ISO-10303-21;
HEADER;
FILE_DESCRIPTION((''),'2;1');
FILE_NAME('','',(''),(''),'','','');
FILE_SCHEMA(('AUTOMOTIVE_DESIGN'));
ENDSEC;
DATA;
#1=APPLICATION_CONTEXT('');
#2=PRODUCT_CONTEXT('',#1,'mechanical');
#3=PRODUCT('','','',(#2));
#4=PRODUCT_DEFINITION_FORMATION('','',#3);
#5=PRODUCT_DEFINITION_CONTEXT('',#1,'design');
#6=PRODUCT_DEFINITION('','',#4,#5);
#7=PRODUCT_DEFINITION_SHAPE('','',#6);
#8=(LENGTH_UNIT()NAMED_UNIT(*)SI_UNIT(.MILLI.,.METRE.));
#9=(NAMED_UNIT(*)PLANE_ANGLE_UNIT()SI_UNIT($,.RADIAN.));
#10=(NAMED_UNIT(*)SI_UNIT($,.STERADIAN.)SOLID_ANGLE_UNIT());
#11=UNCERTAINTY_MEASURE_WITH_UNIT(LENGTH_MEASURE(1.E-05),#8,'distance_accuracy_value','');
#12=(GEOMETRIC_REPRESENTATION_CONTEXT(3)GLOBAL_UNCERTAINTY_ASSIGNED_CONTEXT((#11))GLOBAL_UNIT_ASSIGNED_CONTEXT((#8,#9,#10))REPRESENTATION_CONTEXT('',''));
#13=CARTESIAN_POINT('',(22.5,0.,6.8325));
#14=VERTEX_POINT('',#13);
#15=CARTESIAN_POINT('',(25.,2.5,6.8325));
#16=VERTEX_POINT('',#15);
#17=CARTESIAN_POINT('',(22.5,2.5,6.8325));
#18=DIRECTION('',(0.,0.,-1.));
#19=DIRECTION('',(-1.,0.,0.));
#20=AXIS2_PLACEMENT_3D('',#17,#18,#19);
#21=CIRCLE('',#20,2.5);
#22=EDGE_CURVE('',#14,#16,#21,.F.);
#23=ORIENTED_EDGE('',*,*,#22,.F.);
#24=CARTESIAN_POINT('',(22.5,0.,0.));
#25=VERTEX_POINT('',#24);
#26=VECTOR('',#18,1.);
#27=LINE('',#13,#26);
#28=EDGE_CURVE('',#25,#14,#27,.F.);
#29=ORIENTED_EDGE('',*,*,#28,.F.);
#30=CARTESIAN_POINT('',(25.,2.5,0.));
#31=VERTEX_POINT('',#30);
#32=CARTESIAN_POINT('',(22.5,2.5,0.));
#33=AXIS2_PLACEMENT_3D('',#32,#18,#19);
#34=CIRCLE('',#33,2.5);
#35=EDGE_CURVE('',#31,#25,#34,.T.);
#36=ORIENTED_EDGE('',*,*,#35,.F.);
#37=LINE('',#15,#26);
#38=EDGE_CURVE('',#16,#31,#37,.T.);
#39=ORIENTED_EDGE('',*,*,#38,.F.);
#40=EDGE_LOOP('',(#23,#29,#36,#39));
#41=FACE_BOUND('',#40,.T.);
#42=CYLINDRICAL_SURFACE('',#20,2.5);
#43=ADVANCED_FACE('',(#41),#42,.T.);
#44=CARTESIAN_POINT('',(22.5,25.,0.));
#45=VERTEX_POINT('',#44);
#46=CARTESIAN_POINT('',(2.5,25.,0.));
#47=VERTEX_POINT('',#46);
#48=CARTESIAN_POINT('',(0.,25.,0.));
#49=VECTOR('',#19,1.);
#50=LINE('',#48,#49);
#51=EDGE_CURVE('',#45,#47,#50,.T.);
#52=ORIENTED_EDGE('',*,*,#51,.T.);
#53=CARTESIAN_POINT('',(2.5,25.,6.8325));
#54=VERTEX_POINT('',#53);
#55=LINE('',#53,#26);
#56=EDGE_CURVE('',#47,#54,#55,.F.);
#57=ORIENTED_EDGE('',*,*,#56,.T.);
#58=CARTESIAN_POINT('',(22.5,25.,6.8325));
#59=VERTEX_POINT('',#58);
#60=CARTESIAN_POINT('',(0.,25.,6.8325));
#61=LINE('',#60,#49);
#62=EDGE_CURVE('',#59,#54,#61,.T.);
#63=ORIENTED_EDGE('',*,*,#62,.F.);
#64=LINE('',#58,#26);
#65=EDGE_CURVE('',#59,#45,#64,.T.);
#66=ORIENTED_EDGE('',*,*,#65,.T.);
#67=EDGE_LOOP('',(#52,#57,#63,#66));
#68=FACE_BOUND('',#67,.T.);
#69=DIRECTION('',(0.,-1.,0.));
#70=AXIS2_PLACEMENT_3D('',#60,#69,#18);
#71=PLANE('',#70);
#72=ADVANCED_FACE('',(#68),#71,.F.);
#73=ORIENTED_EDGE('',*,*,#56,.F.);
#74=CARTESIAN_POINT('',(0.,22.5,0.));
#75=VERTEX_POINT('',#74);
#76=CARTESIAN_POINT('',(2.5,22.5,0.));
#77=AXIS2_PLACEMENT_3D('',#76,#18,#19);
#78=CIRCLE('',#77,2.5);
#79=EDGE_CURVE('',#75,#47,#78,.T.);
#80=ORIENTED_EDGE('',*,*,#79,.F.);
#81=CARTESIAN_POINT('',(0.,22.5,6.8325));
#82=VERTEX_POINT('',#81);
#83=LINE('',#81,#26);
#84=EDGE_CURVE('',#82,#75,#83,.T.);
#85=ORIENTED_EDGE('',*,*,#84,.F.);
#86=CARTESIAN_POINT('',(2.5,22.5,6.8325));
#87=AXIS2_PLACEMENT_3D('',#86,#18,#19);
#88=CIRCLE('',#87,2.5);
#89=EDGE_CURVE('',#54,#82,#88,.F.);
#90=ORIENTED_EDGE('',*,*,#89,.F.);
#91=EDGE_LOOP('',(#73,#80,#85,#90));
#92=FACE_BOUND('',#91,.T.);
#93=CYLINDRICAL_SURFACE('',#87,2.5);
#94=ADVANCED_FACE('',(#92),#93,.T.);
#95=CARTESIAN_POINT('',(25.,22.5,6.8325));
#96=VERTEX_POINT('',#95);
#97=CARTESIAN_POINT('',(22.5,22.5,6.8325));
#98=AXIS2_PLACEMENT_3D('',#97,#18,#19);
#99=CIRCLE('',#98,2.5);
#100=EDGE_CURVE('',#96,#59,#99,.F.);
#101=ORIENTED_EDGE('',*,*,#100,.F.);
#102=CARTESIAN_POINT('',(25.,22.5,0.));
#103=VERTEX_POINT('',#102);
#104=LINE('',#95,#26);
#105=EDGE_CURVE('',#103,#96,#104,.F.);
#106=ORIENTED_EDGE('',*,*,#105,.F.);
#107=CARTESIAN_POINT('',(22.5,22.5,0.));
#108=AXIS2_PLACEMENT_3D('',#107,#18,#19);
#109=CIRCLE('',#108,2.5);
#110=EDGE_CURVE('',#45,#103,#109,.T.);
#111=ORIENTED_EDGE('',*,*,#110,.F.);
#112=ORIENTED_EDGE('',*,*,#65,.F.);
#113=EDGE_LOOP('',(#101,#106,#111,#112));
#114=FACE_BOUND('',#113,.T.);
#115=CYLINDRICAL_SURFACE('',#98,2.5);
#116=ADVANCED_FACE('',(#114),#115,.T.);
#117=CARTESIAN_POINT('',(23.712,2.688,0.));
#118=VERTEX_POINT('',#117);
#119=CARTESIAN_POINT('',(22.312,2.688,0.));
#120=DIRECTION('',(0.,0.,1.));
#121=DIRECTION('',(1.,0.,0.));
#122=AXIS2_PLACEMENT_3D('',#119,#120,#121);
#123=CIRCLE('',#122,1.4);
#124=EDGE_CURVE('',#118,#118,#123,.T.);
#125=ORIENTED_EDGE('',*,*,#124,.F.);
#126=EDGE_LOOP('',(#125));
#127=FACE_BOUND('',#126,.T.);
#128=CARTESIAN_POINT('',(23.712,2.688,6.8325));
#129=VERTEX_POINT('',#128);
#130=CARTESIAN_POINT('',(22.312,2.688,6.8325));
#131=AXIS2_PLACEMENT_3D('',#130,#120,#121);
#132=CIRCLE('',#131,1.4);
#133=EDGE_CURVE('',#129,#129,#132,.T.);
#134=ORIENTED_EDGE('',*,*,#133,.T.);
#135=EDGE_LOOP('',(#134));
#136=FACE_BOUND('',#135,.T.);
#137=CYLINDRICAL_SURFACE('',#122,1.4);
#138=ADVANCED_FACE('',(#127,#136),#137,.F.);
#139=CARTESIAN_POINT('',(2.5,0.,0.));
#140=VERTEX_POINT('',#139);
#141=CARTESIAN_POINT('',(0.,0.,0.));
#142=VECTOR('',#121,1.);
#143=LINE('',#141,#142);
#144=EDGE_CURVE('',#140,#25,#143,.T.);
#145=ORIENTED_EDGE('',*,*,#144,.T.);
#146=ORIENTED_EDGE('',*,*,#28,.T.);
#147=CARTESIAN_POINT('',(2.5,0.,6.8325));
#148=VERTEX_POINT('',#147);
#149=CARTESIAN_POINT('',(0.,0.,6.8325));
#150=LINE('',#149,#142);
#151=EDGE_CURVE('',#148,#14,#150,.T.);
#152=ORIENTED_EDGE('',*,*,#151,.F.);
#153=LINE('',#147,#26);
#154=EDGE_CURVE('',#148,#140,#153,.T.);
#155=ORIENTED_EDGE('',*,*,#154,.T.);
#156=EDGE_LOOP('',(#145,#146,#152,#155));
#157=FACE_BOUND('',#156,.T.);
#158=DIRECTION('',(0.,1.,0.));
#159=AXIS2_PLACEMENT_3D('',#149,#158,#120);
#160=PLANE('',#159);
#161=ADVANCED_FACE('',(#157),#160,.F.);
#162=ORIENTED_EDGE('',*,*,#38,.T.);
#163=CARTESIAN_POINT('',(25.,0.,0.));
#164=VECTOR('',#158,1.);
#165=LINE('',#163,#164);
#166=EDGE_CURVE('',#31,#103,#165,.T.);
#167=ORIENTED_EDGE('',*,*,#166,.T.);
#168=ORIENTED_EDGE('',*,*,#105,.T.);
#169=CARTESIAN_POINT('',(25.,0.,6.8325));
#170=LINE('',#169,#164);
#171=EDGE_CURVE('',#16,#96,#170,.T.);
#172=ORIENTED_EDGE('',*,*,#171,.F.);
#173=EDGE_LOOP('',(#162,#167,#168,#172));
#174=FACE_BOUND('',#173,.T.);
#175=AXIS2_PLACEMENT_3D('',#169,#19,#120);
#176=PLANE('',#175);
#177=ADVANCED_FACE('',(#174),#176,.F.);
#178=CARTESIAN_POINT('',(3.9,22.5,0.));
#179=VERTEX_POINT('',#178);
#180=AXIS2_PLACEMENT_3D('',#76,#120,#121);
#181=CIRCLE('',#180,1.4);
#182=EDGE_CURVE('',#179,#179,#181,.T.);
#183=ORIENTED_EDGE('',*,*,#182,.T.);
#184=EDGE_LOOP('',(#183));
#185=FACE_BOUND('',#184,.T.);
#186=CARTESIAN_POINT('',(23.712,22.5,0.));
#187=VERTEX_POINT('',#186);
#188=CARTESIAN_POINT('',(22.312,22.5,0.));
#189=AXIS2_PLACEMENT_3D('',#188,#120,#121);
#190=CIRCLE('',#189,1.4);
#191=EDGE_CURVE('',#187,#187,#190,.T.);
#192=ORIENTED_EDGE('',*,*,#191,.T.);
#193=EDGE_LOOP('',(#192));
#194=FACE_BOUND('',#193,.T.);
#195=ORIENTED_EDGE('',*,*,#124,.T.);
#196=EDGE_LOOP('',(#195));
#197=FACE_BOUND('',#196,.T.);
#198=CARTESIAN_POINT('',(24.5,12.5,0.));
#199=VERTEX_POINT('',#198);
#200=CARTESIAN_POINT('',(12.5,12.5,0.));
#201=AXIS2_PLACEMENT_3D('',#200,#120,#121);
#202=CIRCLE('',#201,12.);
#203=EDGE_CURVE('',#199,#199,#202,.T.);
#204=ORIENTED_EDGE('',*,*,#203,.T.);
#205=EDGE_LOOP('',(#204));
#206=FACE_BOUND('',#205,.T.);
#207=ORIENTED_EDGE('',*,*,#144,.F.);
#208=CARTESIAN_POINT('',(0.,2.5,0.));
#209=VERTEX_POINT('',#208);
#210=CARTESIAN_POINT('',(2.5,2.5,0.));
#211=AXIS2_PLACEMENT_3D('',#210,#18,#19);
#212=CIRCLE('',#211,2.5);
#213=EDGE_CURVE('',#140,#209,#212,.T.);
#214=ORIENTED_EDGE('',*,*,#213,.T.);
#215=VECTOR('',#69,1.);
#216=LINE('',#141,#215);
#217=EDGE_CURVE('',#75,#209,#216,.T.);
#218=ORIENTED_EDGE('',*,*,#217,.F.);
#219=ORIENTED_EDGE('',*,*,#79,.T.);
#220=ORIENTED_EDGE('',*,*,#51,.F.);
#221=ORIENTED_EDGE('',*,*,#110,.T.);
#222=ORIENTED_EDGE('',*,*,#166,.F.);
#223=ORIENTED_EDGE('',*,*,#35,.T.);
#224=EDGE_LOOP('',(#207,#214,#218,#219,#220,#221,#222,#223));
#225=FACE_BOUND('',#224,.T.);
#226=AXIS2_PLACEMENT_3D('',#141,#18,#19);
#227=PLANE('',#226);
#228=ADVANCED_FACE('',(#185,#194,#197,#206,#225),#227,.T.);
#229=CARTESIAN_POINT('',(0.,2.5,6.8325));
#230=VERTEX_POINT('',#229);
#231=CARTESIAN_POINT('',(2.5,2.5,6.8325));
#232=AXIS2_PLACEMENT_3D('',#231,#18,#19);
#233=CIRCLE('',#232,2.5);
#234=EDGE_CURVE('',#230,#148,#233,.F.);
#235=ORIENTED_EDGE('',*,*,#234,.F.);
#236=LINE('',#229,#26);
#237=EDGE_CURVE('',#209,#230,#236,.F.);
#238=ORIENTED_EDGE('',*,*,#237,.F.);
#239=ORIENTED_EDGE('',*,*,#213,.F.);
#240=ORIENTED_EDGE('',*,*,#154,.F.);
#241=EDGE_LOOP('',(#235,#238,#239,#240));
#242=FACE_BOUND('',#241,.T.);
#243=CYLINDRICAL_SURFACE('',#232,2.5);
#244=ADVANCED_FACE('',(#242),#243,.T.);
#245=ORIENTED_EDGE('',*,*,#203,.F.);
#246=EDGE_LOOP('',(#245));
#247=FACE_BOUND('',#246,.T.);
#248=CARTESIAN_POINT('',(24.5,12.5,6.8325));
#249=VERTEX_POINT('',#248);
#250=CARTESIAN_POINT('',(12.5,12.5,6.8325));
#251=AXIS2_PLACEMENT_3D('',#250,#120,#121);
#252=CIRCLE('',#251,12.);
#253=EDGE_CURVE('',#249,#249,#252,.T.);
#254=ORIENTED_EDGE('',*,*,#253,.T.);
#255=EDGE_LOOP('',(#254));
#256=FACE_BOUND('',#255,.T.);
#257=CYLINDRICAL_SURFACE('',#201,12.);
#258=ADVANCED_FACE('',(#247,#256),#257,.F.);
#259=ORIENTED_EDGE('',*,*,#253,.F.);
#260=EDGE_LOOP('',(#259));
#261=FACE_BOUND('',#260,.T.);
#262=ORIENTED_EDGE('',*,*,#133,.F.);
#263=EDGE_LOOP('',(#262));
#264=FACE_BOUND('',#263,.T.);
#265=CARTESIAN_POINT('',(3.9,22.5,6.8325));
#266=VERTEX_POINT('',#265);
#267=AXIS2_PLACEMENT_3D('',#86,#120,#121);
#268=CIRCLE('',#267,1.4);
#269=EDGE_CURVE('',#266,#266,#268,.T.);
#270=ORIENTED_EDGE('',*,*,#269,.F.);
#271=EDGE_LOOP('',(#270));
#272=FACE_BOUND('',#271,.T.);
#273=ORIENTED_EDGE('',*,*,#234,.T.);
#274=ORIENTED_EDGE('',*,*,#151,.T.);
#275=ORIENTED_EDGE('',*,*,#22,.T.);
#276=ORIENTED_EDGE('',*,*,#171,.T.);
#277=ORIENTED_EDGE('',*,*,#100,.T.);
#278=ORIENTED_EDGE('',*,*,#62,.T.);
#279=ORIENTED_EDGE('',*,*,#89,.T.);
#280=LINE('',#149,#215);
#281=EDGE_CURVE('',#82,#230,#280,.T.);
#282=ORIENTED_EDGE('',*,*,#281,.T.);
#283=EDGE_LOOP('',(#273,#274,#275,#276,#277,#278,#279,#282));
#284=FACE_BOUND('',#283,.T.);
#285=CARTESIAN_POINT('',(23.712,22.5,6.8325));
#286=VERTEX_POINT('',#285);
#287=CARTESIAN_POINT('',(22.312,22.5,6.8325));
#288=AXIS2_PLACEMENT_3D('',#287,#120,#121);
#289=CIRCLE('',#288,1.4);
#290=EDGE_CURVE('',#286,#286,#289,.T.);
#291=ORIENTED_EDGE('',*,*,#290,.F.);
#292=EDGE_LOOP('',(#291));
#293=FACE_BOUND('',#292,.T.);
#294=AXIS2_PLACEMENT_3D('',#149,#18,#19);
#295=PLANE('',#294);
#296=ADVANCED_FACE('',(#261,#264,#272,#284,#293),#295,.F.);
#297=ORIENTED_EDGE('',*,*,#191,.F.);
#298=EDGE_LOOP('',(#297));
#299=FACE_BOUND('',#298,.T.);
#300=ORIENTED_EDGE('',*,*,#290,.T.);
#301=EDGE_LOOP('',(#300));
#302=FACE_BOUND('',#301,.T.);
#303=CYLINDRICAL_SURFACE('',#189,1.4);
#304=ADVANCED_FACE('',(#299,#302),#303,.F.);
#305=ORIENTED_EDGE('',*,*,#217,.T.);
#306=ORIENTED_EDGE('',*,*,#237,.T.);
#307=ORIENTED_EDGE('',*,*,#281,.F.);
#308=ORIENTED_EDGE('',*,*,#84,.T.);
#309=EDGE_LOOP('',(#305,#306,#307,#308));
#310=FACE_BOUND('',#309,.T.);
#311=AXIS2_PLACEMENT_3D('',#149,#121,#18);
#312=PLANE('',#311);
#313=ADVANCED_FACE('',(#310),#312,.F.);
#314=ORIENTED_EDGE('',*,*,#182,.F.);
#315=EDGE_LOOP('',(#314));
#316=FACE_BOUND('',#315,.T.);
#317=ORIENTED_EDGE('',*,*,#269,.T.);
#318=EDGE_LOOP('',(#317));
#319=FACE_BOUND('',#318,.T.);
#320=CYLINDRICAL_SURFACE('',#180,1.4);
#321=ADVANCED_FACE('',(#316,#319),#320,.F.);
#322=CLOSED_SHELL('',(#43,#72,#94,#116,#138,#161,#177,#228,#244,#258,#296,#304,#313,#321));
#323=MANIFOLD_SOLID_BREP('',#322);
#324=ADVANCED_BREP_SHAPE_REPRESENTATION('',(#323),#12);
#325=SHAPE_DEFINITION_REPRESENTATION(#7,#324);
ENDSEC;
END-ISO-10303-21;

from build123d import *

# Parameters (mm, degrees)
SKETCH1_W           = 25
SKETCH1_H           = 25
BOSS_EXTRUDE1_DEPTH = 6.8325
SKETCH2_R           = 12
CUT_EXTRUDE1_DEPTH  = 7.8325
SKETCH3_R           = 1.4
CUT_EXTRUDE2_DEPTH  = 7.8325
FILLET1_R           = 2.5


with BuildPart() as part:
    # Sketch1 → Boss-Extrude1 (new body)
    with BuildSketch(Plane.XY):
        with Locations((12.5, 12.5)):
            Rectangle(SKETCH1_W, SKETCH1_H)
    extrude(amount=BOSS_EXTRUDE1_DEPTH)

    # Sketch2 → Cut-Extrude1 (cut, through all)
    with BuildSketch(Plane.XY.offset(6.8325)):
        with Locations((12.5, 12.5)):
            Circle(SKETCH2_R)
    extrude(amount=-CUT_EXTRUDE1_DEPTH, mode=Mode.SUBTRACT)

    # Sketch3 → Cut-Extrude2 (cut, through all)
    with BuildSketch(Plane.XY.offset(6.8325)):
        with Locations((2.5, 22.5)):
            Circle(SKETCH3_R)
        with Locations((22.312, 22.5)):
            Circle(SKETCH3_R)
        with Locations((22.312, 2.688)):
            Circle(SKETCH3_R)
    extrude(amount=-CUT_EXTRUDE2_DEPTH, mode=Mode.SUBTRACT)

    # Fillet1
    fillet1_edges = [part.edges().sort_by_distance(p)[0] for p in [
        (0, 25, 3.41625),
        (25, 25, 3.41625),
        (25, 0, 3.41625),
        (0, 0, 3.41625),
    ]]
    fillet(fillet1_edges, radius=FILLET1_R)


solid = part.part
